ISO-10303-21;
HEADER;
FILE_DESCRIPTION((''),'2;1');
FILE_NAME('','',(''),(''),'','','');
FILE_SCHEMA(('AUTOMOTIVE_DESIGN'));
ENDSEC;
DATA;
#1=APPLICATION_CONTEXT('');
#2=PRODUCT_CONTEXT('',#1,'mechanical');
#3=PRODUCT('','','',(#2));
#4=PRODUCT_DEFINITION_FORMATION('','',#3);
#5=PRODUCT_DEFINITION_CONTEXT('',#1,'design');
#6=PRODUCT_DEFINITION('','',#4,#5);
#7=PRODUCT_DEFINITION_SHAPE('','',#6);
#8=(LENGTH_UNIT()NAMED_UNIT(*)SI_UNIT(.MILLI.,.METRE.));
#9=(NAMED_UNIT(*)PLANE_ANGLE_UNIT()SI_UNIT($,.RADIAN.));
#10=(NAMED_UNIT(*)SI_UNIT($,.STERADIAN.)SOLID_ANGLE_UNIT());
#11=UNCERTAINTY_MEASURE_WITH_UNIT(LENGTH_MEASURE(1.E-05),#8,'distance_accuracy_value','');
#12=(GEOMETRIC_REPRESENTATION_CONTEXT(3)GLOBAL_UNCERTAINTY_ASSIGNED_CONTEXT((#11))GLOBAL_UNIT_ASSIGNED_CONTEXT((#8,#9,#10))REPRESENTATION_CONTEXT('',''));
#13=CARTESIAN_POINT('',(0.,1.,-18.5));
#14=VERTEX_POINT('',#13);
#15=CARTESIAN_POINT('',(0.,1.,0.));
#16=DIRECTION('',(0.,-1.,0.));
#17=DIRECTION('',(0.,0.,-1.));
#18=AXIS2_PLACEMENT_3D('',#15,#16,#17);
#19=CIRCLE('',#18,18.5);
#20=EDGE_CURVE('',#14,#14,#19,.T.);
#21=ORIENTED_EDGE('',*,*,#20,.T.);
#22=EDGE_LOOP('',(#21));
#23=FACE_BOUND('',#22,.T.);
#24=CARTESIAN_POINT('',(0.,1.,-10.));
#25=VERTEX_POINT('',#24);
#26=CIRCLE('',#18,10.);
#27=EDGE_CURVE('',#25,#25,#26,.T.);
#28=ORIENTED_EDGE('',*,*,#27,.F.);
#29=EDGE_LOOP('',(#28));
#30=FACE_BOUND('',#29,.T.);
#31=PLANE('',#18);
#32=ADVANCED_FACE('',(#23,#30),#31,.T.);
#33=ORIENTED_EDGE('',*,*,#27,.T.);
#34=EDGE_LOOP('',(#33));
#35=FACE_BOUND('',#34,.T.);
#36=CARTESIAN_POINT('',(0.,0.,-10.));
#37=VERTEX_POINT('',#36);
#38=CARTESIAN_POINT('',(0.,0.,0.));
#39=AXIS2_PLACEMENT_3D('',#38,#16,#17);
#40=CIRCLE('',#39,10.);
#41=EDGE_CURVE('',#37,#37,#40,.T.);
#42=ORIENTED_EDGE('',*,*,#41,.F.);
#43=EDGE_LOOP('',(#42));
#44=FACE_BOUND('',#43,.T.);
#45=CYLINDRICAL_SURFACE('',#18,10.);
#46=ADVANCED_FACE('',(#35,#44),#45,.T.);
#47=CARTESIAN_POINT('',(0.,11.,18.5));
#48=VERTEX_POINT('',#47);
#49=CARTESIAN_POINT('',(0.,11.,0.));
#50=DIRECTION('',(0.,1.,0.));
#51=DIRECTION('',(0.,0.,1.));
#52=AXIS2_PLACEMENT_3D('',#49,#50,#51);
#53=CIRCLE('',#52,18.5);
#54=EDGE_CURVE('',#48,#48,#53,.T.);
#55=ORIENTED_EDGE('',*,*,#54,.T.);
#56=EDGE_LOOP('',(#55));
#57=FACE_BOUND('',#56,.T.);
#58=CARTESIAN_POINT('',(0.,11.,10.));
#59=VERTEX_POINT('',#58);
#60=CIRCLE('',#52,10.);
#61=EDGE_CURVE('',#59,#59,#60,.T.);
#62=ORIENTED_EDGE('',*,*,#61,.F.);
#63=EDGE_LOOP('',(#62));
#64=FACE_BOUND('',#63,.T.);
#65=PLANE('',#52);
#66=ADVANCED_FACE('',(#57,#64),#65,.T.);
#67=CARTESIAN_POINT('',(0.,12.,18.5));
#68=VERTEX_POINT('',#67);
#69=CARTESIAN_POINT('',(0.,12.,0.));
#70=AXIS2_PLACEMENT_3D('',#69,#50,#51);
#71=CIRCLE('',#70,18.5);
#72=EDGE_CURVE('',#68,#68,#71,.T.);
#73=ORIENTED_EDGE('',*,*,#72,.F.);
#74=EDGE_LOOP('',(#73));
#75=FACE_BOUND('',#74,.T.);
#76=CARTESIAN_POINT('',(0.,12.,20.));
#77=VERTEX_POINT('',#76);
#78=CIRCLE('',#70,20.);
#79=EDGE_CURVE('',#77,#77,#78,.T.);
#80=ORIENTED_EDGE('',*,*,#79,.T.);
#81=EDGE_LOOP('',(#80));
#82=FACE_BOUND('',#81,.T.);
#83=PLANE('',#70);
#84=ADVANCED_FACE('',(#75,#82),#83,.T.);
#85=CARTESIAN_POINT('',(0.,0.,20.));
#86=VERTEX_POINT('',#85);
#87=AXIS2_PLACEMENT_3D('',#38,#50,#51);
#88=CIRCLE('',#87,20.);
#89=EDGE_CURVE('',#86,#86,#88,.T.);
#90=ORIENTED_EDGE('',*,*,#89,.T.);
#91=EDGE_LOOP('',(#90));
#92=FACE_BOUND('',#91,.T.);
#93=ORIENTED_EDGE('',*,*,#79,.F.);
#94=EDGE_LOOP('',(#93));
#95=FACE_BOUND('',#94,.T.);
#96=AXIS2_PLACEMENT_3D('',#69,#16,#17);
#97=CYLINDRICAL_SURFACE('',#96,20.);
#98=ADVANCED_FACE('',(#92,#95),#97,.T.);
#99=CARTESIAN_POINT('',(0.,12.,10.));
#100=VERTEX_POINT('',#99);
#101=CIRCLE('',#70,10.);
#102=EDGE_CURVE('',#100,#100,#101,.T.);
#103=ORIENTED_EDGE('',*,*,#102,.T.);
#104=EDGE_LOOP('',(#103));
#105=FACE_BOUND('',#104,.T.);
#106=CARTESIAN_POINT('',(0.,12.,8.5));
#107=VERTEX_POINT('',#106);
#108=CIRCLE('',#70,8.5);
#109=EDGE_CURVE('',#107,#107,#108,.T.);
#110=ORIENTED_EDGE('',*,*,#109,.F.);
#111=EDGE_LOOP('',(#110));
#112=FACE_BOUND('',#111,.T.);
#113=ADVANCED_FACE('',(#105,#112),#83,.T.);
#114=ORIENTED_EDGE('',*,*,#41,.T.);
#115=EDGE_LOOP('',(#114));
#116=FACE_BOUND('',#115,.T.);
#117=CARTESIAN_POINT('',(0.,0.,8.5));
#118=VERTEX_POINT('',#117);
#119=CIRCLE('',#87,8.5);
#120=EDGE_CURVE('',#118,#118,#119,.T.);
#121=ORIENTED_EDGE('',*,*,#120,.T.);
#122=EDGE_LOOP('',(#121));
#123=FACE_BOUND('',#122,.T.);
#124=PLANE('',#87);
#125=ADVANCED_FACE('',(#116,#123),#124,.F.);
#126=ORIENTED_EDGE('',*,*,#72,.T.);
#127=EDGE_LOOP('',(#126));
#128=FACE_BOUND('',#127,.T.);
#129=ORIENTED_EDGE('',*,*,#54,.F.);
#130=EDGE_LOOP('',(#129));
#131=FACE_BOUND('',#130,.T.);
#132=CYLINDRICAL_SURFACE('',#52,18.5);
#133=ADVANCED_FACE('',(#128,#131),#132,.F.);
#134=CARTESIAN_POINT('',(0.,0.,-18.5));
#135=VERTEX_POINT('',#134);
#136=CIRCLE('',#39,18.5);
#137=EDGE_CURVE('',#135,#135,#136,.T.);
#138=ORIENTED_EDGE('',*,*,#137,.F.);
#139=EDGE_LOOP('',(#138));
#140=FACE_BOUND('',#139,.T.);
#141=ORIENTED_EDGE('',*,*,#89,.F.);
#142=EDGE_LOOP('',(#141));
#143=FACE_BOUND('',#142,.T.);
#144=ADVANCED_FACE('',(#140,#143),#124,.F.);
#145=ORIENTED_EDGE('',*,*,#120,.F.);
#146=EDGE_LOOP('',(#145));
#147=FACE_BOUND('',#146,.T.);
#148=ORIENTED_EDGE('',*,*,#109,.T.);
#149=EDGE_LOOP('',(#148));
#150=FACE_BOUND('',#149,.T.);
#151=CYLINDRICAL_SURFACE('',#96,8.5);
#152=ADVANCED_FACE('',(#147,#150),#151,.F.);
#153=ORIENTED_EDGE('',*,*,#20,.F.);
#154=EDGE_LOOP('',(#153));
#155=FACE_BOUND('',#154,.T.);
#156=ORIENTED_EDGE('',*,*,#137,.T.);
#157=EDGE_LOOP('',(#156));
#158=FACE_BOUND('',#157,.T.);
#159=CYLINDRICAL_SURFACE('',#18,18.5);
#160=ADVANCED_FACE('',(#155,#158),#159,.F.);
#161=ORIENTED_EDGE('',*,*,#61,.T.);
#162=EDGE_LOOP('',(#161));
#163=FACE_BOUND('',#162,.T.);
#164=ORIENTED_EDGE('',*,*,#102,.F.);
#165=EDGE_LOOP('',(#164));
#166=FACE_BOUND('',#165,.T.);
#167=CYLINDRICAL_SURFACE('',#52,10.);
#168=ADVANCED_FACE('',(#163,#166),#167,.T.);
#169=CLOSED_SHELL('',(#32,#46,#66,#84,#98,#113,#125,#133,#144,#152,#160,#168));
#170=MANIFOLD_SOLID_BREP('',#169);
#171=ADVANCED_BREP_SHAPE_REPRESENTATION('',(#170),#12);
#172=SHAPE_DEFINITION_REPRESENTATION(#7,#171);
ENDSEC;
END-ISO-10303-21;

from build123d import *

# Parameters (mm, degrees)
SKETCH1_R           = 20
SKETCH1_R_2         = 8.5
BOSS_EXTRUDE1_DEPTH = 12
SKETCH2_R           = 18.5
SKETCH2_R_2         = 10
CUT_EXTRUDE1_DEPTH  = 1
CUT_EXTRUDE2_START  = -1
SKETCH3_R           = 18.5
SKETCH3_R_2         = 10
CUT_EXTRUDE2_DEPTH  = 1


with BuildPart() as part:
    # Sketch1 → Boss-Extrude1 (new body)
    with BuildSketch(Plane(origin=(0, 0, 0), x_dir=(1, 0, 0), z_dir=(0, 1, 0))):
        with Locations(Location((0, 0, 0), (0, 0, 270))):
            Circle(SKETCH1_R)
        with Locations(Location((0, 0, 0), (0, 0, 270))):
            Circle(SKETCH1_R_2, mode=Mode.SUBTRACT)
    extrude(amount=BOSS_EXTRUDE1_DEPTH)

    # Sketch2 → Cut-Extrude1 (cut)
    with BuildSketch(Plane(origin=(0, 12, 0), x_dir=(1, 0, 0), z_dir=(0, 1, 0))):
        with Locations(Location((0, 0, 0), (0, 0, 270))):
            Circle(SKETCH2_R)
        with Locations(Location((0, 0, 0), (0, 0, 270))):
            Circle(SKETCH2_R_2, mode=Mode.SUBTRACT)
    extrude(amount=-CUT_EXTRUDE1_DEPTH, mode=Mode.SUBTRACT)

    # Sketch3 → Cut-Extrude2 (cut)
    with BuildSketch(Plane.XZ.offset(CUT_EXTRUDE2_START)):
        with Locations(Location((0, 0, 0), (0, 0, 90))):
            Circle(SKETCH3_R)
        with Locations(Location((0, 0, 0), (0, 0, 90))):
            Circle(SKETCH3_R_2, mode=Mode.SUBTRACT)
    extrude(amount=CUT_EXTRUDE2_DEPTH, mode=Mode.SUBTRACT)


solid = part.part
